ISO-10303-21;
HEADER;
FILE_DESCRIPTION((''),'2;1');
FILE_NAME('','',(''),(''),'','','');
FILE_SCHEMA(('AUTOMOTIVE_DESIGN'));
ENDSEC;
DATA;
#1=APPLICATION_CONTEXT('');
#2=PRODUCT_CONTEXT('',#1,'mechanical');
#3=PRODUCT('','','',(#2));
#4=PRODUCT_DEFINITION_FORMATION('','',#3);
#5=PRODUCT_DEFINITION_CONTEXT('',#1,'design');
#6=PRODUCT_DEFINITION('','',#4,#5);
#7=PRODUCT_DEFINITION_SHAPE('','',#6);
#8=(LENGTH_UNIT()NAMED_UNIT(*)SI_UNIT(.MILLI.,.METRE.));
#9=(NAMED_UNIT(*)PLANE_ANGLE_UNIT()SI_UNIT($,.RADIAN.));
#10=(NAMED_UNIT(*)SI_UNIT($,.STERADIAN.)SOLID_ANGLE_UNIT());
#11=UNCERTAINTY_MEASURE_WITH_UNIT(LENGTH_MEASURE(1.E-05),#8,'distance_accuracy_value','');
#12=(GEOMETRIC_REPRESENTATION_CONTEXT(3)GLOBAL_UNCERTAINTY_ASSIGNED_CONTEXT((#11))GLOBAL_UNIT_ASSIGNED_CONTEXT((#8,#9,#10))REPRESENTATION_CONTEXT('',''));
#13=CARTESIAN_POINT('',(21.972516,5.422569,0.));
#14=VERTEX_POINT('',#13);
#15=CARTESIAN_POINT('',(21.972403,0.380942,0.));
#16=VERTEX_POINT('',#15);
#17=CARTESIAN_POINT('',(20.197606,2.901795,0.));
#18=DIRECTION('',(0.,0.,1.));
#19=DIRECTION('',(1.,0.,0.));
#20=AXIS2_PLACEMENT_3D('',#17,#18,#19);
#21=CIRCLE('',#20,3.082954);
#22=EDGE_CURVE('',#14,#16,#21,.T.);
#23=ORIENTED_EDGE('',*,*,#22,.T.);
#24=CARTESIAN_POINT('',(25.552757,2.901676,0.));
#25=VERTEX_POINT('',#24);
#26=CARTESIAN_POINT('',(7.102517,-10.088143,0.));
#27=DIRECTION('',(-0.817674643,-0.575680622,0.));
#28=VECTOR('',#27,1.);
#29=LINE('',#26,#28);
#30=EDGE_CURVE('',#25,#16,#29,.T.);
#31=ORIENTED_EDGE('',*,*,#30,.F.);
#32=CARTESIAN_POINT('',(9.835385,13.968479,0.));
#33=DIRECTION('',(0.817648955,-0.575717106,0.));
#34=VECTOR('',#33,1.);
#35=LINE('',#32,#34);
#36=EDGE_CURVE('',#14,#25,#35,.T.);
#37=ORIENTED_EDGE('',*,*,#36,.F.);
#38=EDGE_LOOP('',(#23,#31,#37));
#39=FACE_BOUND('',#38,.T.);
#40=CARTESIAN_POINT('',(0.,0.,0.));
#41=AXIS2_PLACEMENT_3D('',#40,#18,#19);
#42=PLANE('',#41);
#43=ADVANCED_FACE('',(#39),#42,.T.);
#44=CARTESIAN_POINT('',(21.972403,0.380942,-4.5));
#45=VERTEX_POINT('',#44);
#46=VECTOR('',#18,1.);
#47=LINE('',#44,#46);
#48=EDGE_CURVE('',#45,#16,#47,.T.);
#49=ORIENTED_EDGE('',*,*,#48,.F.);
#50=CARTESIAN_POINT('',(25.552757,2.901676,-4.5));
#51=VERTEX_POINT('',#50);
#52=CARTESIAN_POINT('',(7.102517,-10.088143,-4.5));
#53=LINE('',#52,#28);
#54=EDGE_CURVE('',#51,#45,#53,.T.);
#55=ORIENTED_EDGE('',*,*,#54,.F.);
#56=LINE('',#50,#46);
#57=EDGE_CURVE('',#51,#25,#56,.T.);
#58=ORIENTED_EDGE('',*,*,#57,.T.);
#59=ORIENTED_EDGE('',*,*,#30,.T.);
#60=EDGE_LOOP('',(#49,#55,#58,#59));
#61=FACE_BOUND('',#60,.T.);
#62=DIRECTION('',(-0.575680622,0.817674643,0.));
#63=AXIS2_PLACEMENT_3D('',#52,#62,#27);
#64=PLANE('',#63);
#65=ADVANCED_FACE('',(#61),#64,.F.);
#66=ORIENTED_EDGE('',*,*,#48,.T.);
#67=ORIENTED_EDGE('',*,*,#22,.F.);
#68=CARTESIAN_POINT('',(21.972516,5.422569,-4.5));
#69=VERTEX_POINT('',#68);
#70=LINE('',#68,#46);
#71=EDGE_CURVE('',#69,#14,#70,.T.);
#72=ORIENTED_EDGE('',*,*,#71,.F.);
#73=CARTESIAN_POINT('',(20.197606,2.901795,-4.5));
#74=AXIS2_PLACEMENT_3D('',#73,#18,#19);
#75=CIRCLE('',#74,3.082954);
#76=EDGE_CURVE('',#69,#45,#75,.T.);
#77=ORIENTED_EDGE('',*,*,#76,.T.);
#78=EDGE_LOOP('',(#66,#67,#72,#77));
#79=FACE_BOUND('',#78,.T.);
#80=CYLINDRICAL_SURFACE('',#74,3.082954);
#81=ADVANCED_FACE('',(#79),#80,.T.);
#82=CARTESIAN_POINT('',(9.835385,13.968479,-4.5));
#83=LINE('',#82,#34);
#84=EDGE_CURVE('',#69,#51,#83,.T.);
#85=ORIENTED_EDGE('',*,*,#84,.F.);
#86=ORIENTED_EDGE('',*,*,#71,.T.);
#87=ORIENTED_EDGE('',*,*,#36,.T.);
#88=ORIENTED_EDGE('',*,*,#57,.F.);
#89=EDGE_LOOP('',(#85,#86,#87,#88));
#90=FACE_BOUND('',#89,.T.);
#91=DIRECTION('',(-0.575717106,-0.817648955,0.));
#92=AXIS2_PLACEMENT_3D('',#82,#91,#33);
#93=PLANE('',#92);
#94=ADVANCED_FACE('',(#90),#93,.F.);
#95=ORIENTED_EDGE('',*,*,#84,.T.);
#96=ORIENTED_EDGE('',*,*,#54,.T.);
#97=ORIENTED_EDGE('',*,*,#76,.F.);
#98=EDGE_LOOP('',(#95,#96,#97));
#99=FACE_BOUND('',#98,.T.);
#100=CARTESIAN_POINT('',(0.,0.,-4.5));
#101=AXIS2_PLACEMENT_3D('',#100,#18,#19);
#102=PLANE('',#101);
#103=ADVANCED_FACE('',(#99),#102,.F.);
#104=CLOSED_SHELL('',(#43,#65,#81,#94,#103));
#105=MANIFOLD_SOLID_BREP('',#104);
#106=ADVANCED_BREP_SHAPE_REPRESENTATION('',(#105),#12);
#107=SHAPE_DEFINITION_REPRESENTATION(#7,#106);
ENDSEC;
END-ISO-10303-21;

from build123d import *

# Parameters (mm, degrees)
BOSS_EXTRUDE1_DEPTH = 4.5


with BuildPart() as part:
    # Sketch1 → Boss-Extrude1 (new body)
    with BuildSketch(Plane.XY):
        with BuildLine():
            Line((21.972403267, 0.380941893), (25.552756565, 2.901675578))
            Line((25.552756565, 2.901675578), (21.972515744, 5.422569014))
            ThreePointArc((21.972515744, 5.422569014), (17.114652686, 2.90186383), (21.972403267, 0.380941893))
        make_face()
    extrude(amount=-BOSS_EXTRUDE1_DEPTH)


solid = part.part
